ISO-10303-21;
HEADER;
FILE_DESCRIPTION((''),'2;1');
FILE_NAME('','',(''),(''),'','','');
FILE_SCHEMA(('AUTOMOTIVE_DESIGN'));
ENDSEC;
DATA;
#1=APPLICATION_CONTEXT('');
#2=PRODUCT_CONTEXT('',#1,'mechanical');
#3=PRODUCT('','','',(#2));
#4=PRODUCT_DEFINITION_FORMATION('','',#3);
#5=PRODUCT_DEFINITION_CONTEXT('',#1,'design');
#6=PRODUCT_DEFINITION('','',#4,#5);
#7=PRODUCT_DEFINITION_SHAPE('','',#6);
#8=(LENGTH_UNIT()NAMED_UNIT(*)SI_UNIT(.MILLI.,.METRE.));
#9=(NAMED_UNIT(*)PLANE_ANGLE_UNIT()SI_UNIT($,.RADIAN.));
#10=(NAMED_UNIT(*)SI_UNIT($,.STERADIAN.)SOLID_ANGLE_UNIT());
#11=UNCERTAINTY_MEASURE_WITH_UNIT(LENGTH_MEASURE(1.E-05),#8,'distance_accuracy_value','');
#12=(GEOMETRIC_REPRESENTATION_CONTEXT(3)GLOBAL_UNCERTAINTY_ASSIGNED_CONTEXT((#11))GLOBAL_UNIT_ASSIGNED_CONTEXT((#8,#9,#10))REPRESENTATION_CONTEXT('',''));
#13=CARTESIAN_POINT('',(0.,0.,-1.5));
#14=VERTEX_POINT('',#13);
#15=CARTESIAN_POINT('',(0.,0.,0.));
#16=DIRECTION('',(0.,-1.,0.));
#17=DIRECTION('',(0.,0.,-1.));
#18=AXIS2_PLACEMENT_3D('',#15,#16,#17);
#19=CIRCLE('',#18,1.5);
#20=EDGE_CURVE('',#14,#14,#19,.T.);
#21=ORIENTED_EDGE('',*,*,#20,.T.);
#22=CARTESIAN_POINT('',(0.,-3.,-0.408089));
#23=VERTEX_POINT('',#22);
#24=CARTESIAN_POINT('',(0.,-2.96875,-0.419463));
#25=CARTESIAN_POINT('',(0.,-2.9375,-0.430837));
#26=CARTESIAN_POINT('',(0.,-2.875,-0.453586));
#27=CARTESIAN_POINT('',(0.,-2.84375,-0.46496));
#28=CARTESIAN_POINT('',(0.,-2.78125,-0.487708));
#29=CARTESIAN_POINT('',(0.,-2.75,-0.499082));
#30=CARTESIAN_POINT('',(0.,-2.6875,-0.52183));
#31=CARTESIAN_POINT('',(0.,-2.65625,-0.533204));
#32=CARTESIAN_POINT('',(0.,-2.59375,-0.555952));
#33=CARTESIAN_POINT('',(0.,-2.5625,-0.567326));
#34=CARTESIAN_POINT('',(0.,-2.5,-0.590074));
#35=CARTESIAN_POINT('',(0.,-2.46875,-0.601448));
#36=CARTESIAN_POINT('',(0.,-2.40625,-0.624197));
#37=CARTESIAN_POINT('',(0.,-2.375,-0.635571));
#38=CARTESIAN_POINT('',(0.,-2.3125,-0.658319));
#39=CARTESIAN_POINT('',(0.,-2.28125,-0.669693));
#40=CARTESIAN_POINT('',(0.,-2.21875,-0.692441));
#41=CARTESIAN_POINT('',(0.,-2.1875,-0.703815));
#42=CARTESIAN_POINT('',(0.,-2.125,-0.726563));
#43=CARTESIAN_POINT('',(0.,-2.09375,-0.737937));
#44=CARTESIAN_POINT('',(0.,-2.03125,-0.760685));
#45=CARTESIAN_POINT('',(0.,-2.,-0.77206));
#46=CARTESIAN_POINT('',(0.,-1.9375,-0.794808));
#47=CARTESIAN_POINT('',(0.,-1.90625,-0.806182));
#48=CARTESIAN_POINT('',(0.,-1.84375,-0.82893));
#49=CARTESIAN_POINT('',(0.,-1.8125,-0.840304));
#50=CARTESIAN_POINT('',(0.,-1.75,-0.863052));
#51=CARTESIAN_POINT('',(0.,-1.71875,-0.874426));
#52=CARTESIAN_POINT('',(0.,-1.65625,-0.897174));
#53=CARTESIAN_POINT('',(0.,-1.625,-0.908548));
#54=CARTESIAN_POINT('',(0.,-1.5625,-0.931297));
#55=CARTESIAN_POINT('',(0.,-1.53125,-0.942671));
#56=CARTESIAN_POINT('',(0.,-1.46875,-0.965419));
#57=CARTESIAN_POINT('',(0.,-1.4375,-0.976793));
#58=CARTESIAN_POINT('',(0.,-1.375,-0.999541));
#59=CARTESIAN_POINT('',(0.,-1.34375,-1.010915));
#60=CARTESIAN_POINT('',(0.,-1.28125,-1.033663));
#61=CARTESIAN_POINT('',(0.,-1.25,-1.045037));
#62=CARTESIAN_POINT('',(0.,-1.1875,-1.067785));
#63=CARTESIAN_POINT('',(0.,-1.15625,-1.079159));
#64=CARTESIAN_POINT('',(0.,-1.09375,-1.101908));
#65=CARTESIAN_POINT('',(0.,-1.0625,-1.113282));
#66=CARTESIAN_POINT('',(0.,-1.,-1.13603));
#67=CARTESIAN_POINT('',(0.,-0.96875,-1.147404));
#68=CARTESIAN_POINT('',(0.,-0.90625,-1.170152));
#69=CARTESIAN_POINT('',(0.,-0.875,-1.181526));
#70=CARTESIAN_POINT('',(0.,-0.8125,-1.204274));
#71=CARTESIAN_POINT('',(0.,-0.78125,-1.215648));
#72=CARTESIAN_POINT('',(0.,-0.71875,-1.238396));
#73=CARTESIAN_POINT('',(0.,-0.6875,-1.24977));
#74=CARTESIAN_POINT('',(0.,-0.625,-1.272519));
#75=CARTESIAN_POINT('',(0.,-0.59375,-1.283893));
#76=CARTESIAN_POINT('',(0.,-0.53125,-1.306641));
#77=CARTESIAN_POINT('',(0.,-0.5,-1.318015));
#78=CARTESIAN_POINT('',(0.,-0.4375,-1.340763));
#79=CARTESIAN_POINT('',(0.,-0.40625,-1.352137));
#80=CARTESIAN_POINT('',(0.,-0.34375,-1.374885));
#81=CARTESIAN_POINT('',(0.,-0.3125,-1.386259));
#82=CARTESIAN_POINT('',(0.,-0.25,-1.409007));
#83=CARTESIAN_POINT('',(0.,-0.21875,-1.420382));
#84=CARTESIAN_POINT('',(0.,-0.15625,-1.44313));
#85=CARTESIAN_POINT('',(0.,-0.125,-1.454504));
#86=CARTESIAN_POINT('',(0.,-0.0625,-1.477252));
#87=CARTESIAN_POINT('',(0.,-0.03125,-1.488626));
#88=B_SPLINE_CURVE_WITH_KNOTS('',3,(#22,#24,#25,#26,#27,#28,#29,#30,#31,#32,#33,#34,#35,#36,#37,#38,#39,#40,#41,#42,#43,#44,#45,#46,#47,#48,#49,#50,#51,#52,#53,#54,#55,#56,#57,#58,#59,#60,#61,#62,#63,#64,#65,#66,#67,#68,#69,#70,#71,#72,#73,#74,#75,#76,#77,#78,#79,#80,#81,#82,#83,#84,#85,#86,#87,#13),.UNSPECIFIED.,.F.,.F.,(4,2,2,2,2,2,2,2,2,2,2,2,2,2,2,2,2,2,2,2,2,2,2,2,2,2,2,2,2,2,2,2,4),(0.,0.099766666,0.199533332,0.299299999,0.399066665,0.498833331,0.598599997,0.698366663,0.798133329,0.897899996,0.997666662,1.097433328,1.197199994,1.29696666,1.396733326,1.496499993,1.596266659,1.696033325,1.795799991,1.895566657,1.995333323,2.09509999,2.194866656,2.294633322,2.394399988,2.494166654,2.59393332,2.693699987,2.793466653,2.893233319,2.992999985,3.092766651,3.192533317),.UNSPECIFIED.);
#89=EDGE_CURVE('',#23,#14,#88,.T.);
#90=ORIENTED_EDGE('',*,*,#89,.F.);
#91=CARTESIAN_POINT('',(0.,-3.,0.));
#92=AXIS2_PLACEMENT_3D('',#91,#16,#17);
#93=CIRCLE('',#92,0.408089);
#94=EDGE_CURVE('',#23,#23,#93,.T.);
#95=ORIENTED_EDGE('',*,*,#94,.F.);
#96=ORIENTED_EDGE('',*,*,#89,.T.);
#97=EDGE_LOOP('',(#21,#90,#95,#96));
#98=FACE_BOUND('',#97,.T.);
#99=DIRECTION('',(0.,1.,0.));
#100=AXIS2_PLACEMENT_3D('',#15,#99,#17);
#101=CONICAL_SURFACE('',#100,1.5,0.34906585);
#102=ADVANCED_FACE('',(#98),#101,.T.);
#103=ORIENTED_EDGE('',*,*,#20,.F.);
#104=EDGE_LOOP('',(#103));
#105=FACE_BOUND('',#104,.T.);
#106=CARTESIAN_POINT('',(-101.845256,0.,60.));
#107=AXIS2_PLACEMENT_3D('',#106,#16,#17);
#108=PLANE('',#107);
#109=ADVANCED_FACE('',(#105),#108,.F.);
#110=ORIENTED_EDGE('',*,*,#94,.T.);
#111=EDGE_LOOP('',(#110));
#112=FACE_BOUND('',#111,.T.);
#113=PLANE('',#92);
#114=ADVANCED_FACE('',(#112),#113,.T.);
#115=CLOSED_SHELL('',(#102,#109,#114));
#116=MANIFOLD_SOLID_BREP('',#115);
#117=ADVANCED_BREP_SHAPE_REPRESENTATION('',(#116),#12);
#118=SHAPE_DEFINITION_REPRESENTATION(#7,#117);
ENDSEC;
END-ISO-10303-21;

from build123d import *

# Parameters (mm, degrees)
SKETCH1_W           = 203.69051182
SKETCH1_H           = 2
BASE_EXTRUDE_DEPTH  = 60
SKETCH3_R           = 1.5
BOSS_EXTRUDE1_DEPTH = 3
BOSS_EXTRUDE1_TAPER = 20
SKETCH4_W           = 120
SKETCH4_H           = 2
CUT_EXTRUDE1_DEPTH  = 213.364838441


with BuildPart() as part:
    # Sketch1 → Base-Extrude (new, symmetric)
    with BuildSketch(Plane.XY):
        with Locations((0, 1)):
            Rectangle(SKETCH1_W, SKETCH1_H)
    extrude(amount=BASE_EXTRUDE_DEPTH, both=True)

    # Sketch3 → Boss-Extrude1 (add)
    with BuildSketch(Plane.XZ):
        Circle(SKETCH3_R)
    extrude(amount=BOSS_EXTRUDE1_DEPTH, taper=BOSS_EXTRUDE1_TAPER)

    # Sketch4 → Cut-Extrude1 (cut, through all)
    with BuildSketch(Plane(origin=(101.84525591, 0, 0), x_dir=(0, 0, -1), z_dir=(1, 0, 0))):
        with Locations((0, 1)):
            Rectangle(SKETCH4_W, SKETCH4_H)
    extrude(amount=-CUT_EXTRUDE1_DEPTH, mode=Mode.SUBTRACT)


solid = part.part
